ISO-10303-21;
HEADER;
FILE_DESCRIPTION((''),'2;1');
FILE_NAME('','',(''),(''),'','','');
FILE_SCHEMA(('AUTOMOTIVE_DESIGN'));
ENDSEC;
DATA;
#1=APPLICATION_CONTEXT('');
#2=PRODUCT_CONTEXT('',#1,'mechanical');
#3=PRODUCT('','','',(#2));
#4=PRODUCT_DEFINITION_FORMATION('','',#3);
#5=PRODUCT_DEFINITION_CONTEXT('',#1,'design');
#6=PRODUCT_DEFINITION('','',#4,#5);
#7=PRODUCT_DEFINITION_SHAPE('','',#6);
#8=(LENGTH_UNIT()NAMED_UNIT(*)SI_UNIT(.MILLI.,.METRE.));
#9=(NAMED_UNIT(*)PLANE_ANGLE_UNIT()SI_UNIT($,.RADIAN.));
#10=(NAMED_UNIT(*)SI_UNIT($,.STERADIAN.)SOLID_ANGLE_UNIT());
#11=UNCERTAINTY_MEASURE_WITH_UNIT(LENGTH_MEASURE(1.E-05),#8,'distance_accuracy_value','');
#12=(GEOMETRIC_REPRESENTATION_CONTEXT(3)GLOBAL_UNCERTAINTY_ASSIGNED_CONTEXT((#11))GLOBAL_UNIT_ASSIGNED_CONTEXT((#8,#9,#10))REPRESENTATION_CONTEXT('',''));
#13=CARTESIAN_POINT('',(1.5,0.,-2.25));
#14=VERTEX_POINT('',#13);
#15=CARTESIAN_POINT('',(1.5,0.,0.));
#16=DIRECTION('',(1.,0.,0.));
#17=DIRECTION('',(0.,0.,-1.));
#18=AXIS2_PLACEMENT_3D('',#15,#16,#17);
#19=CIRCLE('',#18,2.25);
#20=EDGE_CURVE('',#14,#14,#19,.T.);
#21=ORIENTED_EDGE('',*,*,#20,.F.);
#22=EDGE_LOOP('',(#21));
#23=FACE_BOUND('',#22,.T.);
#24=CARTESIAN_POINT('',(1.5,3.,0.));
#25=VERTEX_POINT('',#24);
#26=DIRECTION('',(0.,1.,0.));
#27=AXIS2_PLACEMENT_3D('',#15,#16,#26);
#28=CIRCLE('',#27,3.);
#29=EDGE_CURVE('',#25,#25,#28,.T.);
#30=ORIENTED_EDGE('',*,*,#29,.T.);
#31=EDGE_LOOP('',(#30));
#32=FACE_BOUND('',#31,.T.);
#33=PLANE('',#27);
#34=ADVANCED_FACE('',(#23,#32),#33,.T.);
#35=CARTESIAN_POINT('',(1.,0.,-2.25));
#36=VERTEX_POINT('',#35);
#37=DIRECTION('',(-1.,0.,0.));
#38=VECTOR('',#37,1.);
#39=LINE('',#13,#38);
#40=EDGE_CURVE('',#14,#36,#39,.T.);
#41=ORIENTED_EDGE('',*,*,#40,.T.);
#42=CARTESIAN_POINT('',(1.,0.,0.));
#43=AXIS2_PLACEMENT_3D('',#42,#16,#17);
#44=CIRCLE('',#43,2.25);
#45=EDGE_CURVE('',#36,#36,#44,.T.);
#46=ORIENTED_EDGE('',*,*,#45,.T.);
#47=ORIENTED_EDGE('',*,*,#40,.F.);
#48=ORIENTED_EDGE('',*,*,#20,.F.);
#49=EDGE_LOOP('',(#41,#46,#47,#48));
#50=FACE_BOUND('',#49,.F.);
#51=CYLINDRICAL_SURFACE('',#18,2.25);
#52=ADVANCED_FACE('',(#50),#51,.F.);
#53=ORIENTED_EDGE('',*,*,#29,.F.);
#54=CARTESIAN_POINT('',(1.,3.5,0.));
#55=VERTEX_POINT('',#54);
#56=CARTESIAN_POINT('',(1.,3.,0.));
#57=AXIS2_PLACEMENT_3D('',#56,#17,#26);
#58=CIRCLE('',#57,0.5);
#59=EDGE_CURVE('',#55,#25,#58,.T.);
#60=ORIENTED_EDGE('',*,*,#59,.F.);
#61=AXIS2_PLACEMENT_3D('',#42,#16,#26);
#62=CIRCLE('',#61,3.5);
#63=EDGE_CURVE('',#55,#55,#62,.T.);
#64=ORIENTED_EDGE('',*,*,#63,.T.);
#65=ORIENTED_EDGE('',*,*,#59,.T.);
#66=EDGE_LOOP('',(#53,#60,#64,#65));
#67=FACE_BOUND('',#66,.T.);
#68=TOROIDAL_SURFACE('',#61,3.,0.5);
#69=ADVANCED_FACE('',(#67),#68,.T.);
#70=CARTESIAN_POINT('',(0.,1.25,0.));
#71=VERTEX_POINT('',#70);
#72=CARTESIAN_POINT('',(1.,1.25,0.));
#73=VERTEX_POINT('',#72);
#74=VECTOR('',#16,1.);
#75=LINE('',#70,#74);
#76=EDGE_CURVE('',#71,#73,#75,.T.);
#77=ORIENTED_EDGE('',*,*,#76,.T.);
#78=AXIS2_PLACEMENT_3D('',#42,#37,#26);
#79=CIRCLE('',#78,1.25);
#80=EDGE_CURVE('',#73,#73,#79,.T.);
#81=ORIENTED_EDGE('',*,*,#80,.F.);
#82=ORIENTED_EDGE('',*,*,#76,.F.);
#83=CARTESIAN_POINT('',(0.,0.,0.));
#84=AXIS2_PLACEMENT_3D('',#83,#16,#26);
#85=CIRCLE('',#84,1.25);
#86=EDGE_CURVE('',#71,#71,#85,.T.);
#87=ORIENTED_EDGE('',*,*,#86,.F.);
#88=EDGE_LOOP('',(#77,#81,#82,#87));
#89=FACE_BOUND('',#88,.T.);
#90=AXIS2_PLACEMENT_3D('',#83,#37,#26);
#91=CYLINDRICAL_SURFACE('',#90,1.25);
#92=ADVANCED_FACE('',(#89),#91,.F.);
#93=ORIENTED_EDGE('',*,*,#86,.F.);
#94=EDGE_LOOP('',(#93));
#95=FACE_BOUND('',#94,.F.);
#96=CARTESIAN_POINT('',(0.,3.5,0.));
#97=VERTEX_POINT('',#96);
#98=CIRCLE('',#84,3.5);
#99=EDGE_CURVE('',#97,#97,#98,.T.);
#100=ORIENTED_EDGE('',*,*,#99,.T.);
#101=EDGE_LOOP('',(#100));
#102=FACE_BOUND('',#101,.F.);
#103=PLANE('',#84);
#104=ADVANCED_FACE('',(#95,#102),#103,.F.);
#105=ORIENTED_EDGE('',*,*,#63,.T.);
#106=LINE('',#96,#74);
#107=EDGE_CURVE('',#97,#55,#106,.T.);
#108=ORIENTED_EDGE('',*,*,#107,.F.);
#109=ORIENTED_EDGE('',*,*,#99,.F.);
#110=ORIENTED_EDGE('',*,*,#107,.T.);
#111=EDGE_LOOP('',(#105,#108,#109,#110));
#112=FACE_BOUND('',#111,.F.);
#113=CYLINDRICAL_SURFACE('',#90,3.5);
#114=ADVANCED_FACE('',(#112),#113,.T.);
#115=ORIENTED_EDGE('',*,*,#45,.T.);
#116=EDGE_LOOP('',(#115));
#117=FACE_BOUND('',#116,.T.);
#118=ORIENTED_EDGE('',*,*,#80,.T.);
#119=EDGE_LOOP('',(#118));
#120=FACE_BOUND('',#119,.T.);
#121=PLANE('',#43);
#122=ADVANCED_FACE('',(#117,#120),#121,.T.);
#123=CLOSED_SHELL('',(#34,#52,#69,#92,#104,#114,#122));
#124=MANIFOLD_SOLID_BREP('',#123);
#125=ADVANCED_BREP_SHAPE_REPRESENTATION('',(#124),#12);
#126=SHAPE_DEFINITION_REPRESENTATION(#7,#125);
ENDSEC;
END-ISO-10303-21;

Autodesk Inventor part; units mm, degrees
ref_plane "YZ Plane" through (0, 0, 0) normal (1, 0, 0) x (0, 1, 0)
ref_plane "XZ Plane" through (0, 0, 0) normal (0, 1, 0) x (-1, 0, 0)
ref_plane "XY Plane" through (0, 0, 0) normal (0, 0, 1) x (1, 0, 0)
sketch "Sketch1" plane through (0, 0, 0) normal (1, 0, 0) x (0, 1, 0)
  circle A0 centre (0, 0) radius 3.5
  circle A1 centre (0, 0) radius 1.25
  dimension "d0" = 7
  dimension "d1" = 2.5
extrude "Extrusion1" add sketch "Sketch1" along normal blind 1.5
sketch "Sketch2" plane through (1.5, 0, 0) normal (1, 0, 0) x (0, 0, -1)
  circle A0 centre (0, 0) radius 2.25
  dimension "d4" = 4.5
extrude "Extrusion2" cut sketch "Sketch2" against normal blind 0.5
fillet "Fillet1" radius 0.5 1 edges at (1.5, -3.5, 0)
properties part number "H205_lower_linkage_washer"
